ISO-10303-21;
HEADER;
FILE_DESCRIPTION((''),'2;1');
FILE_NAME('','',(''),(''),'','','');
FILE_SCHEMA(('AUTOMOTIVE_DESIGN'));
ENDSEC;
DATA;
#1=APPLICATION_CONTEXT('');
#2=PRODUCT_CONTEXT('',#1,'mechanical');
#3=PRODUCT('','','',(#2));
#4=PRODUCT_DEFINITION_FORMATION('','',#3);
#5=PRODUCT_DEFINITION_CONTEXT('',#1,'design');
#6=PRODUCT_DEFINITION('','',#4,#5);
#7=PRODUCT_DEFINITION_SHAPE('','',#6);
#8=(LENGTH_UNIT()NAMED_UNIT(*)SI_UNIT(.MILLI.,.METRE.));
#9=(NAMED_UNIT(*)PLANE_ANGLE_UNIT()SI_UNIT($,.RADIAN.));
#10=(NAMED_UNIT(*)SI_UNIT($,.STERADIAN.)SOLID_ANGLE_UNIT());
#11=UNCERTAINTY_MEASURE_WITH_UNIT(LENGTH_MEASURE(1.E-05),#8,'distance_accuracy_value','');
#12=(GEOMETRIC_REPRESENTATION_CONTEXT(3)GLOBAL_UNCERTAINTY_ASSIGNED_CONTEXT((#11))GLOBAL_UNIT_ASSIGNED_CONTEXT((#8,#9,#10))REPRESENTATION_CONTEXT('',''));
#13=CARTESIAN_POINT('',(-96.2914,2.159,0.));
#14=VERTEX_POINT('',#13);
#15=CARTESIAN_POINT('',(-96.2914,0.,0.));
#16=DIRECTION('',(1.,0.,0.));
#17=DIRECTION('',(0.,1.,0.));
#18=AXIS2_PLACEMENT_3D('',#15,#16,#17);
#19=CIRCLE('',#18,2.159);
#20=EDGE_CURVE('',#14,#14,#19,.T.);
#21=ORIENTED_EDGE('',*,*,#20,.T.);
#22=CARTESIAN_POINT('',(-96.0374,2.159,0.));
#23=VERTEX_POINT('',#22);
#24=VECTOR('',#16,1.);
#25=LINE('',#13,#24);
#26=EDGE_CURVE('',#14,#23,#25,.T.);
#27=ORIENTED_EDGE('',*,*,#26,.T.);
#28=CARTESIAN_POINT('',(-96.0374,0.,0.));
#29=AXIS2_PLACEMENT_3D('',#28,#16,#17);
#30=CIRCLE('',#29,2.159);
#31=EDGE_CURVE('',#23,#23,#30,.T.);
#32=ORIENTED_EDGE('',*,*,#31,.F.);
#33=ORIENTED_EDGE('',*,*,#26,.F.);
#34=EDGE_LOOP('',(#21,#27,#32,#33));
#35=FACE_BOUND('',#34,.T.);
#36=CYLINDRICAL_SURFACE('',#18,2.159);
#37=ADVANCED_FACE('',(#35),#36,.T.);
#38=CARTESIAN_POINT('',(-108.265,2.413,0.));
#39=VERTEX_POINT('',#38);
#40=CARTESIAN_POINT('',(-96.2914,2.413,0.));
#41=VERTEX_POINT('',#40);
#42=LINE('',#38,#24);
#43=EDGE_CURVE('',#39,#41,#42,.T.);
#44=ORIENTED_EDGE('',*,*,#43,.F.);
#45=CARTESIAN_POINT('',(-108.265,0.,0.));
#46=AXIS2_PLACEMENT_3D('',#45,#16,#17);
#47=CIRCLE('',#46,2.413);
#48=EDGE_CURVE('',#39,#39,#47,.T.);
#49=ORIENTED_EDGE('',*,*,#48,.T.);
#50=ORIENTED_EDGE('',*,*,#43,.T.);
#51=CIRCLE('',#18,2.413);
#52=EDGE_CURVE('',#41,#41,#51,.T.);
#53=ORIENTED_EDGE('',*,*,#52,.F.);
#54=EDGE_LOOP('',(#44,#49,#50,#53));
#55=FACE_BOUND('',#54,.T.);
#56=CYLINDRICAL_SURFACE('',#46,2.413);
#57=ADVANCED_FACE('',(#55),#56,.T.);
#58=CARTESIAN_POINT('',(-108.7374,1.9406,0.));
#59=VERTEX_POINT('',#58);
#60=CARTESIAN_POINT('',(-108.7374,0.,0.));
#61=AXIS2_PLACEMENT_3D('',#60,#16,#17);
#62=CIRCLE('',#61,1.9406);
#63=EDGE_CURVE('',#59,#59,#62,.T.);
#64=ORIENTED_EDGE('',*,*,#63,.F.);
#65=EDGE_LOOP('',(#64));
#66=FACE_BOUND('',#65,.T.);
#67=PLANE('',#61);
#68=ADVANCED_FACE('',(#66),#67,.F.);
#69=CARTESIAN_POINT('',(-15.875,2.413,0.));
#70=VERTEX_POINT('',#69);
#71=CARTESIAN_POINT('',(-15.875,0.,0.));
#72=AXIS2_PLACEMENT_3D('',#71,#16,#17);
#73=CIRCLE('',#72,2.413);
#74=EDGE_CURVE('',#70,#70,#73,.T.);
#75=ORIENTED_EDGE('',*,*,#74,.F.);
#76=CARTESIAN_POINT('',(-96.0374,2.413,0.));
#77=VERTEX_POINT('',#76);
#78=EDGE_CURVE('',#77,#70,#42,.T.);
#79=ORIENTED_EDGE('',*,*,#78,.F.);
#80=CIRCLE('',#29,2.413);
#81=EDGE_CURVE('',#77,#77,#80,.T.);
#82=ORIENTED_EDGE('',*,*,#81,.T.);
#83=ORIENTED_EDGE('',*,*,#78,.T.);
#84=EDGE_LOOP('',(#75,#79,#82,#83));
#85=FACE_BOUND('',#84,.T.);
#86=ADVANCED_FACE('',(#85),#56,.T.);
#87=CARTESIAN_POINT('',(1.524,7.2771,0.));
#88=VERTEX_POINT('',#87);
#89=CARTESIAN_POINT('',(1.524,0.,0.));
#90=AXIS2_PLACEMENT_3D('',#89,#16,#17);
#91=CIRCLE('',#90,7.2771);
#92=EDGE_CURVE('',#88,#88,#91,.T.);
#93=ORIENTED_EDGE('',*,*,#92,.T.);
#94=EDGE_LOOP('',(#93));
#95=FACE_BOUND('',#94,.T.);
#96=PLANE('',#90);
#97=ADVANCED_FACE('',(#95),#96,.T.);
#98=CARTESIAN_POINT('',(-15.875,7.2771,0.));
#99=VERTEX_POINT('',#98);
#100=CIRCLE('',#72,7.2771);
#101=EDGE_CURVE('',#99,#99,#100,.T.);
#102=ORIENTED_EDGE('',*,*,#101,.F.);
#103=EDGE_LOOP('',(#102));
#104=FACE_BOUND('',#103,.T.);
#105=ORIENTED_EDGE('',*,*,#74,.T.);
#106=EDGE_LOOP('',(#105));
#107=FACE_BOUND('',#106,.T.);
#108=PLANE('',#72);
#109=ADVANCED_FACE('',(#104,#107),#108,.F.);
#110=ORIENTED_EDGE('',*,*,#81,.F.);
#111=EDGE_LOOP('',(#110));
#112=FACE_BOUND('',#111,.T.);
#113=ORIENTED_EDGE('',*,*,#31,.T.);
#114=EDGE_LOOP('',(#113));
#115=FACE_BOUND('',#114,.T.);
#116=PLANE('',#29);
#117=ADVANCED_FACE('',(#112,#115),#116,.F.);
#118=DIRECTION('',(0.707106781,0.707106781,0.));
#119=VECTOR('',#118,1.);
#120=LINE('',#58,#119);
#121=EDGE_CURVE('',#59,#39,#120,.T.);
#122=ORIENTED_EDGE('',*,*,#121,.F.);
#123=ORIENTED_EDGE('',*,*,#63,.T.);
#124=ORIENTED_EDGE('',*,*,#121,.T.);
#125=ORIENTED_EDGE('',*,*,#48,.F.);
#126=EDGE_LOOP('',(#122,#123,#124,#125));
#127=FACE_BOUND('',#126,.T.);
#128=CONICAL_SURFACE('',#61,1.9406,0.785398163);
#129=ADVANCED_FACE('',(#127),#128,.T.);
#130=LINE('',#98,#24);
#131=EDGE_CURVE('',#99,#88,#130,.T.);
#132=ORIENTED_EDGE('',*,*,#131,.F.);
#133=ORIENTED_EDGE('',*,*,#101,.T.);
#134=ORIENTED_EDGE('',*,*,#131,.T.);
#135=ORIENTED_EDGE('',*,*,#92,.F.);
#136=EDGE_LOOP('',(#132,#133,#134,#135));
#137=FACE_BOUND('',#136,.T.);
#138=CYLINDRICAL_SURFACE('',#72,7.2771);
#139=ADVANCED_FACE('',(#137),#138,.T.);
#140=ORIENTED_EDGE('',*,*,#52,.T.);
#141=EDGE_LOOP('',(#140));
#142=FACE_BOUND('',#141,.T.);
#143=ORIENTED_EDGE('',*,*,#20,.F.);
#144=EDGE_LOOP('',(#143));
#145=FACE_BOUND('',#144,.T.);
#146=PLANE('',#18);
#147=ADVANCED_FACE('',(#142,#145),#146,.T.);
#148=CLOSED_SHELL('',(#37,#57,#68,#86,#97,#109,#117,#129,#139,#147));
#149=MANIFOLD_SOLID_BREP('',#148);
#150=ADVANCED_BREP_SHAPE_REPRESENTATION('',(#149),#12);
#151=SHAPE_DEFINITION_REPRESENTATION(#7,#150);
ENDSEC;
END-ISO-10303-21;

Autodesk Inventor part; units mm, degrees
sketch "Sketch_3" plane through (0, 0, 0) normal (0, 0, 1) x (1, 0, 0)
  line L0 (0, 0) -> (-108.7374, 0)
  line L1 (-108.7374, 0) -> (-108.7374, 1.9406)
  line L2 (-108.7374, 1.9406) -> (-108.265, 2.413)
  line L3 (-108.265, 2.413) -> (0, 2.413)
  line L4 (0, 2.413) -> (0, 0)
  line L5 (0, 0) -> (-108.7374, 0)
revolve "Revolution1" add sketch "Sketch_3" angle 360 about axis through (0, 0, 0) along (1, 0, 0)
thread "Thread1" size "10-32 UNF" class "2A" standard "ANSI Unified Screw Threads" length 12.446 offset 96.2914
sketch "Sketch_17" plane through (0, 0, 0) normal (0, 0, 1) x (1, 0, 0)
  line L0 (108.7374, 0) -> (-108.7374, 0)
  line L1 (-96.2914, 2.413) -> (-96.2914, 2.159)
  line L2 (-96.2914, 2.159) -> (-96.0374, 2.159)
  line L3 (-96.0374, 2.159) -> (-96.0374, 2.413)
  line L4 (-96.0374, 2.413) -> (-96.2914, 2.413)
revolve "Revolution2" cut sketch "Sketch_17" angle 360 about axis through (108.7374, 0, 0) along (1, 0, 0)
sketch "Sketch_12" plane through (0, 0, 0) normal (0, 0, 1) x (1, 0, 0)
  line L0 (1.524, 0) -> (-15.875, 0)
  line L1 (-15.875, 0) -> (-15.875, 7.2771)
  line L2 (-15.875, 7.2771) -> (1.524, 7.2771)
  line L3 (1.524, 7.2771) -> (1.524, 0)
  line L4 (1.524, 0) -> (-15.875, 0)
revolve "Revolution3" add sketch "Sketch_12" angle 360 about axis through (1.524, 0, 0) along (1, 0, 0)
ref_plane "h1_XY" through (-108.7374, 0, 0) normal (0, 1, 0) x (1, 0, 0)
ref_plane "h1_YZ" through (-108.7374, 0, 0) normal (1, 0, 0) x (0, 0, -1)
ref_plane "h1_ZX" through (-108.7374, 0, 0) normal (0, 0, -1) x (0, 1, 0)
ref_plane "h2_XY" through (-96.0374, 0, 0) normal (0, 1, 0) x (1, 0, 0)
ref_plane "h2_YZ" through (-96.0374, 0, 0) normal (1, 0, 0) x (0, 0, -1)
ref_plane "h2_ZX" through (-96.0374, 0, 0) normal (0, 0, -1) x (0, 1, 0)
ref_plane "k1_XY" through (-108.7374, 0, -2.413) normal (0, 1, 0) x (1, 0, 0)
ref_plane "k1_YZ" through (-108.7374, 0, -2.413) normal (1, 0, 0) x (0, 0, -1)
ref_plane "k1_ZX" through (-108.7374, 0, -2.413) normal (0, 0, -1) x (0, 1, 0)
ref_plane "k2_XY" through (-108.7374, 0, 2.413) normal (0, 1, 0) x (1, 0, 0)
ref_plane "k2_YZ" through (-108.7374, 0, 2.413) normal (1, 0, 0) x (0, 0, -1)
ref_plane "k2_ZX" through (-108.7374, 0, 2.413) normal (0, 0, -1) x (0, 1, 0)
ref_plane "start_XY" through (-96.0374, 0, 0) normal (0, 1, 0) x (1, 0, 0)
ref_plane "start_YZ" through (-96.0374, 0, 0) normal (1, 0, 0) x (0, 0, -1)
ref_plane "start_ZX" through (-96.0374, 0, 0) normal (0, 0, -1) x (0, 1, 0)
ref_plane "to_prc_XY" through (-96.0374, 0, 0) normal (1, 0, 0) x (0, 0, -1)
ref_plane "to_prc_YZ" through (-96.0374, 0, 0) normal (0, 0, -1) x (0, 1, 0)
ref_plane "to_prc_ZX" through (-96.0374, 0, 0) normal (0, 1, 0) x (1, 0, 0)
ref_plane "to_rod_guide_XY" through (-108.7374, 0, 0) normal (1, 0, 0) x (0, 0, -1)
ref_plane "to_rod_guide_YZ" through (-108.7374, 0, 0) normal (0, 0, -1) x (0, 1, 0)
ref_plane "to_rod_guide_ZX" through (-108.7374, 0, 0) normal (0, 1, 0) x (1, 0, 0)
properties part number "D-75080.5-1.5XP-4.281-3pos"
